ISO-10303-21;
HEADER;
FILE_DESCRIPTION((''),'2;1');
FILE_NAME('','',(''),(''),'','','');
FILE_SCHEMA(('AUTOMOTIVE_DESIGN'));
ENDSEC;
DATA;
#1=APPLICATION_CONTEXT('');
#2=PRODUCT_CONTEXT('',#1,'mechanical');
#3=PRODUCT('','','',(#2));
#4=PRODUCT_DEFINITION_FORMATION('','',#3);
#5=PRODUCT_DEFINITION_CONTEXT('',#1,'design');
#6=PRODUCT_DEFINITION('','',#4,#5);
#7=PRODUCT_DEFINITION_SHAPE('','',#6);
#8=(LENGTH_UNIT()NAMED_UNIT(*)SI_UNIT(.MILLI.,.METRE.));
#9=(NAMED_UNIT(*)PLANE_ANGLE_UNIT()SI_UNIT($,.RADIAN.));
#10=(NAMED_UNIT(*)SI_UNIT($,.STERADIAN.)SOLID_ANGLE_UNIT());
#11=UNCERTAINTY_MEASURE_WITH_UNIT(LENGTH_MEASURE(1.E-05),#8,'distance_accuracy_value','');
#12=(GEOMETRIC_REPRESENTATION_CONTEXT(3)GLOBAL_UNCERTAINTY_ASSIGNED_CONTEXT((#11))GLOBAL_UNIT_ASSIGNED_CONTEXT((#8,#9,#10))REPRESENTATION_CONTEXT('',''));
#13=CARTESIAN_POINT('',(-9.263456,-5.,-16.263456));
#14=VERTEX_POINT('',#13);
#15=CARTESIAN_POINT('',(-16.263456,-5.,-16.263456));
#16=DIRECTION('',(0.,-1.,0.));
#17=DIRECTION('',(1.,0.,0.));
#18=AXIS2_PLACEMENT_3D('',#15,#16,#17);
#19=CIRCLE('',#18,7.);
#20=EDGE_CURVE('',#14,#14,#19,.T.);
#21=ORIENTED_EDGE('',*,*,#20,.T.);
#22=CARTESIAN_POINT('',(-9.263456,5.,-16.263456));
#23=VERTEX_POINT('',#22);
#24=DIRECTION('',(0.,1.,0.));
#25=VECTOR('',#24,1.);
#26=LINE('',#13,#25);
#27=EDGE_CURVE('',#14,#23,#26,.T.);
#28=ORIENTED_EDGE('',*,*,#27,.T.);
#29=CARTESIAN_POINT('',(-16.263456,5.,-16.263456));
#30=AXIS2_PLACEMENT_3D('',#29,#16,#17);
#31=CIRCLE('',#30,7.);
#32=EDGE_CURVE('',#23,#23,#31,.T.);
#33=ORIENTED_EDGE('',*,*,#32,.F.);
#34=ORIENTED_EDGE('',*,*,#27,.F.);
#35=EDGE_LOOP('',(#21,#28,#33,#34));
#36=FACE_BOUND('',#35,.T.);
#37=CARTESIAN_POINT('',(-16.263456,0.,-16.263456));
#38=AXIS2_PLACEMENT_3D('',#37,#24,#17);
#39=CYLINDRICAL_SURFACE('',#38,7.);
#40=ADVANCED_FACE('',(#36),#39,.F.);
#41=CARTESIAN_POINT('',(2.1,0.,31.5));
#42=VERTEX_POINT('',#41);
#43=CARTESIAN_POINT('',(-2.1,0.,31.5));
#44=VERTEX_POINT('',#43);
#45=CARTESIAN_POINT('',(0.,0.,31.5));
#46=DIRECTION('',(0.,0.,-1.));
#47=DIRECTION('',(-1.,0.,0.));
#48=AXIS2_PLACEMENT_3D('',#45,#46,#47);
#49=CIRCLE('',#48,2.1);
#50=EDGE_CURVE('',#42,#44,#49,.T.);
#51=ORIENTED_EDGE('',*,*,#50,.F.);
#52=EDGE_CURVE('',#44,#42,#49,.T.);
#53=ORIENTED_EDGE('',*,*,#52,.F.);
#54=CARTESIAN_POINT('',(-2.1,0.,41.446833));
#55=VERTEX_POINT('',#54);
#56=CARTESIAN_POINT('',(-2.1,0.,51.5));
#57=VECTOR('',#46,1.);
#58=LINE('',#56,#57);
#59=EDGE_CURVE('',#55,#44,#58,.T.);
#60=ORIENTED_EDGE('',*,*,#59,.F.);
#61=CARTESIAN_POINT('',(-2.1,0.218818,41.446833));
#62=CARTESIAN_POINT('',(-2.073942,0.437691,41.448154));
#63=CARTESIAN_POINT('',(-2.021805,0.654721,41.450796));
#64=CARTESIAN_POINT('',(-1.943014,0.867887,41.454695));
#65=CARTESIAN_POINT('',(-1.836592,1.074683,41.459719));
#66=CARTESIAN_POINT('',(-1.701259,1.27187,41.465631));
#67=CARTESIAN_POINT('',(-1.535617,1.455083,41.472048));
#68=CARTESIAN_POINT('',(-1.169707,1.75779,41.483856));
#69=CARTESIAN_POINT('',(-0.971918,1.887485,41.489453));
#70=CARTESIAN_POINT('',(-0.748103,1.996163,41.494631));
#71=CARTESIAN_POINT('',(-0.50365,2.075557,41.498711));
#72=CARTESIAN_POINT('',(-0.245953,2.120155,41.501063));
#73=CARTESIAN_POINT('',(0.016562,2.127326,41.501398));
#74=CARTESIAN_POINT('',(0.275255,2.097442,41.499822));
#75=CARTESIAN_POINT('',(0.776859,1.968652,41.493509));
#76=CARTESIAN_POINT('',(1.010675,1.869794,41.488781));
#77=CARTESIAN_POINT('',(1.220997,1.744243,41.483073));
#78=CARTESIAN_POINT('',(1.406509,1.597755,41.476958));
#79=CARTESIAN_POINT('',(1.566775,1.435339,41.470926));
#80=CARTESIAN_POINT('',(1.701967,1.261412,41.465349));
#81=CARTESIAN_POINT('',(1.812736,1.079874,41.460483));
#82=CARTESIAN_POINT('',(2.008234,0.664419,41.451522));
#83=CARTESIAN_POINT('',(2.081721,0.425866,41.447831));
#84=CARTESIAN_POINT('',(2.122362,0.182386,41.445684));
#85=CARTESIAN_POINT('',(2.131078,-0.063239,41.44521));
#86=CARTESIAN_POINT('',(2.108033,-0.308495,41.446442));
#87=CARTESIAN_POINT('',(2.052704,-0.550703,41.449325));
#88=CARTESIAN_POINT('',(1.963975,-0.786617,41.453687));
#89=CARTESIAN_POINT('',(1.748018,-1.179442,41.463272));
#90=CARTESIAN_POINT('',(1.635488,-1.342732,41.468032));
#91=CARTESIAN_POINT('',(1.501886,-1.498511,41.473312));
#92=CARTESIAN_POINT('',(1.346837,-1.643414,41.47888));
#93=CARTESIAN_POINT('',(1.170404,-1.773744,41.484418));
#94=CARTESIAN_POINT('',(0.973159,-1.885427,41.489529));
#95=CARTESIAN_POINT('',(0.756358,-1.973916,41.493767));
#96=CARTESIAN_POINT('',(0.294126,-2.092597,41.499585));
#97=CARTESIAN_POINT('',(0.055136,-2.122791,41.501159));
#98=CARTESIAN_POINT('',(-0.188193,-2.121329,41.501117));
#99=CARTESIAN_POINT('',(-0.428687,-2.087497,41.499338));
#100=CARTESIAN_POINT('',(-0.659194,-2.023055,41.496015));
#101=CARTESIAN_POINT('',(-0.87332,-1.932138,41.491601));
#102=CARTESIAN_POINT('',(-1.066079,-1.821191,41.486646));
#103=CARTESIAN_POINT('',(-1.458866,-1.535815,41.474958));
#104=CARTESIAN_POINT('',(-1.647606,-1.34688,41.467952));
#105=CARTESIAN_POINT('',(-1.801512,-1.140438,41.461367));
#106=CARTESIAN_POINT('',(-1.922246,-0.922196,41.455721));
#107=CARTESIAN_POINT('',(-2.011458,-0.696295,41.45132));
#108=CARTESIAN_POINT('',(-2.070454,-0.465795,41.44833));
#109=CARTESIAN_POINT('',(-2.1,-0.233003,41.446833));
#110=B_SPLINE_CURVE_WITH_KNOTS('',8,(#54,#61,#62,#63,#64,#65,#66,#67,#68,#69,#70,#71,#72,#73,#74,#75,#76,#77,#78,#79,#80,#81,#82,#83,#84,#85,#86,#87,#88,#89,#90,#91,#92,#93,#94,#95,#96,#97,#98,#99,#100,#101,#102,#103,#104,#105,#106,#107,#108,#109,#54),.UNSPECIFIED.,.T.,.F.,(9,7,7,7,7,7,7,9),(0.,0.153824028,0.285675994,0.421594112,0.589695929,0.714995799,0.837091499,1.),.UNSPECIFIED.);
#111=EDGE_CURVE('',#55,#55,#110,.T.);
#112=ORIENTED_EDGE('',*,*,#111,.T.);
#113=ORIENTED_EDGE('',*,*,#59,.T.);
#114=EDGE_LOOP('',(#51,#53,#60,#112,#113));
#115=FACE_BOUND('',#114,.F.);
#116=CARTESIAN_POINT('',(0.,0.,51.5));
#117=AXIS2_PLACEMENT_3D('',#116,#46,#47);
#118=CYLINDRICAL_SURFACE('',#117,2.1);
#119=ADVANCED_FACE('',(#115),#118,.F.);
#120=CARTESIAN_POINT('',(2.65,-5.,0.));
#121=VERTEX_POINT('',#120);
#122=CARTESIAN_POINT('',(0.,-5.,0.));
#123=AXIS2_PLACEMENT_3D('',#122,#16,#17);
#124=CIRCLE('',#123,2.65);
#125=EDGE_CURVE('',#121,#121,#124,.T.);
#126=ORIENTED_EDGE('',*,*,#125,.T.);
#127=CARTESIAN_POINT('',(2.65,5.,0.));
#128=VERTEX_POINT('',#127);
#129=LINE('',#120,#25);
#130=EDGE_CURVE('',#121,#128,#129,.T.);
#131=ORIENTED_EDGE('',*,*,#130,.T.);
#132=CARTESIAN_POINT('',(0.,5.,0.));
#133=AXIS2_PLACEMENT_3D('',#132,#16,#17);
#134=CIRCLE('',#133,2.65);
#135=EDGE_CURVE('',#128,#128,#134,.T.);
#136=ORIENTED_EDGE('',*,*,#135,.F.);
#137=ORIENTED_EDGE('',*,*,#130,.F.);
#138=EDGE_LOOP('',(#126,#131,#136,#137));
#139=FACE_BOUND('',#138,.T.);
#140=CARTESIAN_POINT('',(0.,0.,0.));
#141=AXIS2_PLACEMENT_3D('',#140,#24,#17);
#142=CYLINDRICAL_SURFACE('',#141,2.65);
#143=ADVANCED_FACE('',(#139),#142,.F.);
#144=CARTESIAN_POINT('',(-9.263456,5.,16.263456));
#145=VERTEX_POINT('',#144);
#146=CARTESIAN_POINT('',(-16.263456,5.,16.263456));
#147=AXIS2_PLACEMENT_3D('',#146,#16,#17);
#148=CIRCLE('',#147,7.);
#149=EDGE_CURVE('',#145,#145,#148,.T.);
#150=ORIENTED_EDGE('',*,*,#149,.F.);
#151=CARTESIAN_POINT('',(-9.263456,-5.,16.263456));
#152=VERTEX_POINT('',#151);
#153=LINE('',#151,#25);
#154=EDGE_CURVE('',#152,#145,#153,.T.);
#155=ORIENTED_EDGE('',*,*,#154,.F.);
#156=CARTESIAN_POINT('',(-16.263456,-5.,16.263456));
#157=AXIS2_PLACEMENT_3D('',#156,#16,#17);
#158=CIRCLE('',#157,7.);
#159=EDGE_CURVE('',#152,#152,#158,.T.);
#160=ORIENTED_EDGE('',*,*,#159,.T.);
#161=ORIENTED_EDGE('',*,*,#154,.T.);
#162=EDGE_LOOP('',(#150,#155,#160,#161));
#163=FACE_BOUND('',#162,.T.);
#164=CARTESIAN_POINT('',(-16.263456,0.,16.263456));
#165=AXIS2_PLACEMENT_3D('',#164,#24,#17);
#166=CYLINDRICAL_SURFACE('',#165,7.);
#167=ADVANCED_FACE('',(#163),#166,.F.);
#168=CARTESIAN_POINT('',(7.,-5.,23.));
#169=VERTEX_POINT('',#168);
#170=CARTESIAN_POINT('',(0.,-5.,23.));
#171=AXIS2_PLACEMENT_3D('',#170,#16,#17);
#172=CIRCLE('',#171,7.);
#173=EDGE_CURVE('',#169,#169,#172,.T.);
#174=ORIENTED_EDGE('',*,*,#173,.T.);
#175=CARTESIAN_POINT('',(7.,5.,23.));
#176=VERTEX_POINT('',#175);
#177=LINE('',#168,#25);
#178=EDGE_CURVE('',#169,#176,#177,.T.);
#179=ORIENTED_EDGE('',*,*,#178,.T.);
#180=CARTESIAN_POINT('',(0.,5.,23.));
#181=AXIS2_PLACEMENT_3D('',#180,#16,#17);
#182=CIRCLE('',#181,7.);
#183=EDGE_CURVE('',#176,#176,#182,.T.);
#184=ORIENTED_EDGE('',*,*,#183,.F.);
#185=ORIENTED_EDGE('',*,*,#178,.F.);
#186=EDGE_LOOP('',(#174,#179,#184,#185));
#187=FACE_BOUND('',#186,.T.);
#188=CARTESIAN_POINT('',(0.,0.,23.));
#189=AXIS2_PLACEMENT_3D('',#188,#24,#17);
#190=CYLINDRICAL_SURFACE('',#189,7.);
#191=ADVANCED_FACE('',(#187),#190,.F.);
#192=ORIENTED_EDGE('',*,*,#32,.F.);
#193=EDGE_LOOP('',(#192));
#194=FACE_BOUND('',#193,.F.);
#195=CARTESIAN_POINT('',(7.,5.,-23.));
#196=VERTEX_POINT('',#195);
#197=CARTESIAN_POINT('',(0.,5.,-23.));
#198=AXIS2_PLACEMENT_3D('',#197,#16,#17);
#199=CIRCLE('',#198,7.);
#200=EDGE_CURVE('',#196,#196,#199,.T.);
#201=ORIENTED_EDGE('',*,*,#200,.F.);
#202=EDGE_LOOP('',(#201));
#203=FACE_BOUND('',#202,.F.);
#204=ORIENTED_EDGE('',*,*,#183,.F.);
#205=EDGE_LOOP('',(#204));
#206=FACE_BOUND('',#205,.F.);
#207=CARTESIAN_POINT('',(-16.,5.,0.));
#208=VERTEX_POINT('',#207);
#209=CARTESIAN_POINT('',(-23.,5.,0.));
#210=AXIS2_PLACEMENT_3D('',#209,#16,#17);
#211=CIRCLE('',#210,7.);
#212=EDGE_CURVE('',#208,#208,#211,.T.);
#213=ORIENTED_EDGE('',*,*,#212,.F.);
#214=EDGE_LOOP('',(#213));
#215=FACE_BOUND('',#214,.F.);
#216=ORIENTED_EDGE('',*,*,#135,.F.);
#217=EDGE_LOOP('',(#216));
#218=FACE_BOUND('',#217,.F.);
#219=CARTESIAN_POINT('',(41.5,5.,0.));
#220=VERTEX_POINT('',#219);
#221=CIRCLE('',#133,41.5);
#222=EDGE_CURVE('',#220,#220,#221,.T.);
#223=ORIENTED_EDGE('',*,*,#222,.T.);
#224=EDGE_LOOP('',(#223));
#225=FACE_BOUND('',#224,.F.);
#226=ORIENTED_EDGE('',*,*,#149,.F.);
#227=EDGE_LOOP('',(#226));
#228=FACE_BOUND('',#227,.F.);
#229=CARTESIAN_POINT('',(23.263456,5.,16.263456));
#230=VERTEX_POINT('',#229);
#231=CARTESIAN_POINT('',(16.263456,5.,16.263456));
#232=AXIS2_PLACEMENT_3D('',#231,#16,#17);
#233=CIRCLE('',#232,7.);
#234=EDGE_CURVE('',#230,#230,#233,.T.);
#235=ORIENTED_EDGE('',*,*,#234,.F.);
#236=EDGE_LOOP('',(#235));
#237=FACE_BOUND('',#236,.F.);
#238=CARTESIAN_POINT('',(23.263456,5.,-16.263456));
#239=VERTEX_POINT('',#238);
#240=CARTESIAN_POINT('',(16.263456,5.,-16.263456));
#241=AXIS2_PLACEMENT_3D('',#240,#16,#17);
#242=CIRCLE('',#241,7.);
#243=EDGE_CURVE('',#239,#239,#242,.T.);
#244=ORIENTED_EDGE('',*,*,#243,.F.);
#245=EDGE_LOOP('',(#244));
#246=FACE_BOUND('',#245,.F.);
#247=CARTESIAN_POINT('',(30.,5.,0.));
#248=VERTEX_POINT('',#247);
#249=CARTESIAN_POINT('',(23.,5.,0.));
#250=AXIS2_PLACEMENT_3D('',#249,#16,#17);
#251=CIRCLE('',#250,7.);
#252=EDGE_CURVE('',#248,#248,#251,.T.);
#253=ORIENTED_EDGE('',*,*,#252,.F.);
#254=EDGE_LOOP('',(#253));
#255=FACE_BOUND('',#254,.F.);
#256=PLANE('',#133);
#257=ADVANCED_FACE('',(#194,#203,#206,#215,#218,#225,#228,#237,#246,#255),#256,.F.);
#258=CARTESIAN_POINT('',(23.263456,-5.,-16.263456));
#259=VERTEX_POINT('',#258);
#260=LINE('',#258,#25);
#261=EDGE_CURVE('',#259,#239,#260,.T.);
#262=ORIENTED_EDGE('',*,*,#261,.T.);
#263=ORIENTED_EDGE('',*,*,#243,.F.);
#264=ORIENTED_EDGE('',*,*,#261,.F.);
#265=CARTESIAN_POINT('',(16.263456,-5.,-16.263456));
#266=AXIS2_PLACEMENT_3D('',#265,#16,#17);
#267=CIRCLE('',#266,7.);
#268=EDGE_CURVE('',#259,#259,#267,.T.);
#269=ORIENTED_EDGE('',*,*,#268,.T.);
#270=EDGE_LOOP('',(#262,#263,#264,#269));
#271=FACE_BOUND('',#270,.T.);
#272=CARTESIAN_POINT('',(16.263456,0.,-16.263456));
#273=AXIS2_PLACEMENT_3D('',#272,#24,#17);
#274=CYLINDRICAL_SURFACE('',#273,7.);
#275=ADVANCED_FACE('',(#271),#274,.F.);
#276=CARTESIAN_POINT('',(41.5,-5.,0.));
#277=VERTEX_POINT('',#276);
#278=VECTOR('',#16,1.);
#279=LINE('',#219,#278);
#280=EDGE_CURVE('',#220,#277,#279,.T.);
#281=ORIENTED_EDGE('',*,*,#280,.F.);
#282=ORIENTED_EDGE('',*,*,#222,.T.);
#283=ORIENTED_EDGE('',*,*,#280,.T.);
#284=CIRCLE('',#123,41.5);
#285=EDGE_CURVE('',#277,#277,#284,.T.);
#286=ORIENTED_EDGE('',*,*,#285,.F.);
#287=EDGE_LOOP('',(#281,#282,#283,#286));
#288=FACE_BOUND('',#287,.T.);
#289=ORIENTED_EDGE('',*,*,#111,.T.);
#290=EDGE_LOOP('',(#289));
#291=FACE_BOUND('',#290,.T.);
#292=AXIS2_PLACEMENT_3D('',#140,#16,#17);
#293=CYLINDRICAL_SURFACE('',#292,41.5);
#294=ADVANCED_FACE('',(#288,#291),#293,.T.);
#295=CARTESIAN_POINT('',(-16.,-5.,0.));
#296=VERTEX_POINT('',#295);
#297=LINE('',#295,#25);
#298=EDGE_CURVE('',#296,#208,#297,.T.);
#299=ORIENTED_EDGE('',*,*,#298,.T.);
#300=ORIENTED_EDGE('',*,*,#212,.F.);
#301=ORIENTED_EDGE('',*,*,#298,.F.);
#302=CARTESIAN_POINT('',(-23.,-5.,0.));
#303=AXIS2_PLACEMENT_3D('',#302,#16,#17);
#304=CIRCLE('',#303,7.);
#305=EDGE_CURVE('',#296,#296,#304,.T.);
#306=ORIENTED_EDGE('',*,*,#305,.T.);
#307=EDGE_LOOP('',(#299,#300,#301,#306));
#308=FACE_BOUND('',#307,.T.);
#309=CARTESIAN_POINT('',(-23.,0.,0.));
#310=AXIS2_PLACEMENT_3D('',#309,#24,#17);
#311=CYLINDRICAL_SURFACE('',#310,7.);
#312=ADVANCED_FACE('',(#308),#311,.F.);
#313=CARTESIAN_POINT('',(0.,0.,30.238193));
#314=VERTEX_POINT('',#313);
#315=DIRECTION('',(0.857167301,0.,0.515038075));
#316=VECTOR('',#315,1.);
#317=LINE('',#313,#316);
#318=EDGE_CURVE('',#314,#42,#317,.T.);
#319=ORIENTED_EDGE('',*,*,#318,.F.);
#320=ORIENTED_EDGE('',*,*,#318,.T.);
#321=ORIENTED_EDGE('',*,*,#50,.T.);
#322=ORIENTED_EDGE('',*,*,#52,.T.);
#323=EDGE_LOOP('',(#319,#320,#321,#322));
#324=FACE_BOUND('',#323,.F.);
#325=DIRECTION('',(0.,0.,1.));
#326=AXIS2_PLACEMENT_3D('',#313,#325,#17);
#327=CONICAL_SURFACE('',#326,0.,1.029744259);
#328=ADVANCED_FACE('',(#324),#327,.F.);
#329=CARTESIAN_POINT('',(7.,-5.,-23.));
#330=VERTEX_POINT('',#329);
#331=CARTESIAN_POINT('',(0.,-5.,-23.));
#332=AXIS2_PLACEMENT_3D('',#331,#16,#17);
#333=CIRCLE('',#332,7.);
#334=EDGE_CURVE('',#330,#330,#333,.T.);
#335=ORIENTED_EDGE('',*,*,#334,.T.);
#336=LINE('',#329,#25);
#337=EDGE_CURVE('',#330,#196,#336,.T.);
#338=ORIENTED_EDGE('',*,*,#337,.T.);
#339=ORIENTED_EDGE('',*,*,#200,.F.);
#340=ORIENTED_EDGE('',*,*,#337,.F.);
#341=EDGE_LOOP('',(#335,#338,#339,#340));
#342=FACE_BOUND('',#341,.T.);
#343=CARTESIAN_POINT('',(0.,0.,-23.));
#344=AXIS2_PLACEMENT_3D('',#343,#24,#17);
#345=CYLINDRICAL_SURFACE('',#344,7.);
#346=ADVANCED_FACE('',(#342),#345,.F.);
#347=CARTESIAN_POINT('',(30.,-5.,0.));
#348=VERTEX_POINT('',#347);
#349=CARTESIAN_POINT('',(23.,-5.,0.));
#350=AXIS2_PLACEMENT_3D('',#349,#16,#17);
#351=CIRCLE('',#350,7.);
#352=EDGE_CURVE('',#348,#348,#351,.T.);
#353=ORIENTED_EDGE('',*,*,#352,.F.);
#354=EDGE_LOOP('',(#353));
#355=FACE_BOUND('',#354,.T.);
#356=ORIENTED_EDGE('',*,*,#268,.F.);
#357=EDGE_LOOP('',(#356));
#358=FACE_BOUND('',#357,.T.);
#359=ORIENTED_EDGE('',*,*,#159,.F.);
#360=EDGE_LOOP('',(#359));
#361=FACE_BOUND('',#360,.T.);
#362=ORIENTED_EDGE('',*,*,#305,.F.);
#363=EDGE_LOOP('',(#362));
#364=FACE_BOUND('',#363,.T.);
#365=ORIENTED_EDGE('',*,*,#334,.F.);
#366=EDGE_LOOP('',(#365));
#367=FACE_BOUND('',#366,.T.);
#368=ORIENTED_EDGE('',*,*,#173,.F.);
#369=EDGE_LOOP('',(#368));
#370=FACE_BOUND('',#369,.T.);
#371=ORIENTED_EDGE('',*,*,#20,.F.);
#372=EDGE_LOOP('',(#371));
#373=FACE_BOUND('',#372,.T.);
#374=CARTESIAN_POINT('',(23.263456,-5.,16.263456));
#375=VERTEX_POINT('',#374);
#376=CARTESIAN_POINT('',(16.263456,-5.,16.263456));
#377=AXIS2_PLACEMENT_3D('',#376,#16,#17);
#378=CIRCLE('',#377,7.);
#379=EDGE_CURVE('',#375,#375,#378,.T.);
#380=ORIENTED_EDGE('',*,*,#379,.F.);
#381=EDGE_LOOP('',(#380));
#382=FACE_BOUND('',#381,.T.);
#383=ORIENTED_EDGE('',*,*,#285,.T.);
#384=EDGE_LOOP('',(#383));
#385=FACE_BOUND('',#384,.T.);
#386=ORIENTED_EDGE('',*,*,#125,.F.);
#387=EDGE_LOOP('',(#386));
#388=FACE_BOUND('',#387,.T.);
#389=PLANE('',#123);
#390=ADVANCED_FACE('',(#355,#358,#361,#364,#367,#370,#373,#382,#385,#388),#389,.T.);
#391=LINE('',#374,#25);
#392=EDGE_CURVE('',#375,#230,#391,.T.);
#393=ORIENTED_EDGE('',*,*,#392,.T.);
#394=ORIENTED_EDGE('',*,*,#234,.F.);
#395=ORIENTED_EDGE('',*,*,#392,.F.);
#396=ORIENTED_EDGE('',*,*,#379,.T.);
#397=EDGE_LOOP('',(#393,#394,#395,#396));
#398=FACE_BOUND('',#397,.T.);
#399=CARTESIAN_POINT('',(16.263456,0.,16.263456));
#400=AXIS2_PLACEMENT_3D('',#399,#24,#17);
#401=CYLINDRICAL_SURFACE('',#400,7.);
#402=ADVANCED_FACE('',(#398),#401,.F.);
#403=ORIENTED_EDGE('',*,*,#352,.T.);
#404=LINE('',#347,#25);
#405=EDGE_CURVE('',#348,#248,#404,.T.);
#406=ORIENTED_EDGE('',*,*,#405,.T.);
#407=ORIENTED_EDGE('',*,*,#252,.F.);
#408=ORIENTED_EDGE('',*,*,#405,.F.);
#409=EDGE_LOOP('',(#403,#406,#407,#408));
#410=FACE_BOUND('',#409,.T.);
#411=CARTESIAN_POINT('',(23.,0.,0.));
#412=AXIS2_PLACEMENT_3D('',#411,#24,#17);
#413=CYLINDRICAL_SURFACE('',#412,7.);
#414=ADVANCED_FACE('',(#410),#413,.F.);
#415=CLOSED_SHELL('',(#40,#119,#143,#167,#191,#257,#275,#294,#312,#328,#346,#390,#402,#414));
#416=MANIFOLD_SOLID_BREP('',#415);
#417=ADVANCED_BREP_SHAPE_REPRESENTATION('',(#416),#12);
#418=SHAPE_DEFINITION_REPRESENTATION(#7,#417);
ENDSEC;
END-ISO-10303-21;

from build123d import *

# Parameters (mm, degrees)
F0_R     = 41.5
F0_R_2   = 7
F0_R_3   = 2.65
F1_DEPTH = 5
F4_D     = 4.2
F4_DEPTH = 10
F4_TIP   = 1.2618073


with BuildPart() as f1:
    # F0 (on Front) → F1 (new body, symmetric)
    with BuildSketch(Plane.XZ):
        Circle(F0_R)
        with Locations((-16.2634559673, -16.2634559673)):
            Circle(F0_R_2, mode=Mode.SUBTRACT)
        with Locations((0, -23)):
            Circle(F0_R_2, mode=Mode.SUBTRACT)
        with Locations((16.2634559673, -16.2634559673)):
            Circle(F0_R_2, mode=Mode.SUBTRACT)
        with Locations((-23, 0)):
            Circle(F0_R_2, mode=Mode.SUBTRACT)
        with Locations((-16.2634559673, 16.2634559673)):
            Circle(F0_R_2, mode=Mode.SUBTRACT)
        Circle(F0_R_3, mode=Mode.SUBTRACT)
        with Locations((16.2634559673, 16.2634559673)):
            Circle(F0_R_2, mode=Mode.SUBTRACT)
        with Locations((23, 0)):
            Circle(F0_R_2, mode=Mode.SUBTRACT)
        with Locations((0, 23)):
            Circle(F0_R_2, mode=Mode.SUBTRACT)
    extrude(amount=F1_DEPTH, both=True)

    # F4
    with Locations(Plane.XY.offset(41.5)):
        with Locations((0, 0)):
            Hole(F4_D / 2, depth=F4_DEPTH)
            with Locations((0, 0, -(F4_DEPTH + F4_TIP / 2))):  # 118° drill point
                Cone(0, F4_D / 2, F4_TIP, mode=Mode.SUBTRACT)


solid = f1.part
